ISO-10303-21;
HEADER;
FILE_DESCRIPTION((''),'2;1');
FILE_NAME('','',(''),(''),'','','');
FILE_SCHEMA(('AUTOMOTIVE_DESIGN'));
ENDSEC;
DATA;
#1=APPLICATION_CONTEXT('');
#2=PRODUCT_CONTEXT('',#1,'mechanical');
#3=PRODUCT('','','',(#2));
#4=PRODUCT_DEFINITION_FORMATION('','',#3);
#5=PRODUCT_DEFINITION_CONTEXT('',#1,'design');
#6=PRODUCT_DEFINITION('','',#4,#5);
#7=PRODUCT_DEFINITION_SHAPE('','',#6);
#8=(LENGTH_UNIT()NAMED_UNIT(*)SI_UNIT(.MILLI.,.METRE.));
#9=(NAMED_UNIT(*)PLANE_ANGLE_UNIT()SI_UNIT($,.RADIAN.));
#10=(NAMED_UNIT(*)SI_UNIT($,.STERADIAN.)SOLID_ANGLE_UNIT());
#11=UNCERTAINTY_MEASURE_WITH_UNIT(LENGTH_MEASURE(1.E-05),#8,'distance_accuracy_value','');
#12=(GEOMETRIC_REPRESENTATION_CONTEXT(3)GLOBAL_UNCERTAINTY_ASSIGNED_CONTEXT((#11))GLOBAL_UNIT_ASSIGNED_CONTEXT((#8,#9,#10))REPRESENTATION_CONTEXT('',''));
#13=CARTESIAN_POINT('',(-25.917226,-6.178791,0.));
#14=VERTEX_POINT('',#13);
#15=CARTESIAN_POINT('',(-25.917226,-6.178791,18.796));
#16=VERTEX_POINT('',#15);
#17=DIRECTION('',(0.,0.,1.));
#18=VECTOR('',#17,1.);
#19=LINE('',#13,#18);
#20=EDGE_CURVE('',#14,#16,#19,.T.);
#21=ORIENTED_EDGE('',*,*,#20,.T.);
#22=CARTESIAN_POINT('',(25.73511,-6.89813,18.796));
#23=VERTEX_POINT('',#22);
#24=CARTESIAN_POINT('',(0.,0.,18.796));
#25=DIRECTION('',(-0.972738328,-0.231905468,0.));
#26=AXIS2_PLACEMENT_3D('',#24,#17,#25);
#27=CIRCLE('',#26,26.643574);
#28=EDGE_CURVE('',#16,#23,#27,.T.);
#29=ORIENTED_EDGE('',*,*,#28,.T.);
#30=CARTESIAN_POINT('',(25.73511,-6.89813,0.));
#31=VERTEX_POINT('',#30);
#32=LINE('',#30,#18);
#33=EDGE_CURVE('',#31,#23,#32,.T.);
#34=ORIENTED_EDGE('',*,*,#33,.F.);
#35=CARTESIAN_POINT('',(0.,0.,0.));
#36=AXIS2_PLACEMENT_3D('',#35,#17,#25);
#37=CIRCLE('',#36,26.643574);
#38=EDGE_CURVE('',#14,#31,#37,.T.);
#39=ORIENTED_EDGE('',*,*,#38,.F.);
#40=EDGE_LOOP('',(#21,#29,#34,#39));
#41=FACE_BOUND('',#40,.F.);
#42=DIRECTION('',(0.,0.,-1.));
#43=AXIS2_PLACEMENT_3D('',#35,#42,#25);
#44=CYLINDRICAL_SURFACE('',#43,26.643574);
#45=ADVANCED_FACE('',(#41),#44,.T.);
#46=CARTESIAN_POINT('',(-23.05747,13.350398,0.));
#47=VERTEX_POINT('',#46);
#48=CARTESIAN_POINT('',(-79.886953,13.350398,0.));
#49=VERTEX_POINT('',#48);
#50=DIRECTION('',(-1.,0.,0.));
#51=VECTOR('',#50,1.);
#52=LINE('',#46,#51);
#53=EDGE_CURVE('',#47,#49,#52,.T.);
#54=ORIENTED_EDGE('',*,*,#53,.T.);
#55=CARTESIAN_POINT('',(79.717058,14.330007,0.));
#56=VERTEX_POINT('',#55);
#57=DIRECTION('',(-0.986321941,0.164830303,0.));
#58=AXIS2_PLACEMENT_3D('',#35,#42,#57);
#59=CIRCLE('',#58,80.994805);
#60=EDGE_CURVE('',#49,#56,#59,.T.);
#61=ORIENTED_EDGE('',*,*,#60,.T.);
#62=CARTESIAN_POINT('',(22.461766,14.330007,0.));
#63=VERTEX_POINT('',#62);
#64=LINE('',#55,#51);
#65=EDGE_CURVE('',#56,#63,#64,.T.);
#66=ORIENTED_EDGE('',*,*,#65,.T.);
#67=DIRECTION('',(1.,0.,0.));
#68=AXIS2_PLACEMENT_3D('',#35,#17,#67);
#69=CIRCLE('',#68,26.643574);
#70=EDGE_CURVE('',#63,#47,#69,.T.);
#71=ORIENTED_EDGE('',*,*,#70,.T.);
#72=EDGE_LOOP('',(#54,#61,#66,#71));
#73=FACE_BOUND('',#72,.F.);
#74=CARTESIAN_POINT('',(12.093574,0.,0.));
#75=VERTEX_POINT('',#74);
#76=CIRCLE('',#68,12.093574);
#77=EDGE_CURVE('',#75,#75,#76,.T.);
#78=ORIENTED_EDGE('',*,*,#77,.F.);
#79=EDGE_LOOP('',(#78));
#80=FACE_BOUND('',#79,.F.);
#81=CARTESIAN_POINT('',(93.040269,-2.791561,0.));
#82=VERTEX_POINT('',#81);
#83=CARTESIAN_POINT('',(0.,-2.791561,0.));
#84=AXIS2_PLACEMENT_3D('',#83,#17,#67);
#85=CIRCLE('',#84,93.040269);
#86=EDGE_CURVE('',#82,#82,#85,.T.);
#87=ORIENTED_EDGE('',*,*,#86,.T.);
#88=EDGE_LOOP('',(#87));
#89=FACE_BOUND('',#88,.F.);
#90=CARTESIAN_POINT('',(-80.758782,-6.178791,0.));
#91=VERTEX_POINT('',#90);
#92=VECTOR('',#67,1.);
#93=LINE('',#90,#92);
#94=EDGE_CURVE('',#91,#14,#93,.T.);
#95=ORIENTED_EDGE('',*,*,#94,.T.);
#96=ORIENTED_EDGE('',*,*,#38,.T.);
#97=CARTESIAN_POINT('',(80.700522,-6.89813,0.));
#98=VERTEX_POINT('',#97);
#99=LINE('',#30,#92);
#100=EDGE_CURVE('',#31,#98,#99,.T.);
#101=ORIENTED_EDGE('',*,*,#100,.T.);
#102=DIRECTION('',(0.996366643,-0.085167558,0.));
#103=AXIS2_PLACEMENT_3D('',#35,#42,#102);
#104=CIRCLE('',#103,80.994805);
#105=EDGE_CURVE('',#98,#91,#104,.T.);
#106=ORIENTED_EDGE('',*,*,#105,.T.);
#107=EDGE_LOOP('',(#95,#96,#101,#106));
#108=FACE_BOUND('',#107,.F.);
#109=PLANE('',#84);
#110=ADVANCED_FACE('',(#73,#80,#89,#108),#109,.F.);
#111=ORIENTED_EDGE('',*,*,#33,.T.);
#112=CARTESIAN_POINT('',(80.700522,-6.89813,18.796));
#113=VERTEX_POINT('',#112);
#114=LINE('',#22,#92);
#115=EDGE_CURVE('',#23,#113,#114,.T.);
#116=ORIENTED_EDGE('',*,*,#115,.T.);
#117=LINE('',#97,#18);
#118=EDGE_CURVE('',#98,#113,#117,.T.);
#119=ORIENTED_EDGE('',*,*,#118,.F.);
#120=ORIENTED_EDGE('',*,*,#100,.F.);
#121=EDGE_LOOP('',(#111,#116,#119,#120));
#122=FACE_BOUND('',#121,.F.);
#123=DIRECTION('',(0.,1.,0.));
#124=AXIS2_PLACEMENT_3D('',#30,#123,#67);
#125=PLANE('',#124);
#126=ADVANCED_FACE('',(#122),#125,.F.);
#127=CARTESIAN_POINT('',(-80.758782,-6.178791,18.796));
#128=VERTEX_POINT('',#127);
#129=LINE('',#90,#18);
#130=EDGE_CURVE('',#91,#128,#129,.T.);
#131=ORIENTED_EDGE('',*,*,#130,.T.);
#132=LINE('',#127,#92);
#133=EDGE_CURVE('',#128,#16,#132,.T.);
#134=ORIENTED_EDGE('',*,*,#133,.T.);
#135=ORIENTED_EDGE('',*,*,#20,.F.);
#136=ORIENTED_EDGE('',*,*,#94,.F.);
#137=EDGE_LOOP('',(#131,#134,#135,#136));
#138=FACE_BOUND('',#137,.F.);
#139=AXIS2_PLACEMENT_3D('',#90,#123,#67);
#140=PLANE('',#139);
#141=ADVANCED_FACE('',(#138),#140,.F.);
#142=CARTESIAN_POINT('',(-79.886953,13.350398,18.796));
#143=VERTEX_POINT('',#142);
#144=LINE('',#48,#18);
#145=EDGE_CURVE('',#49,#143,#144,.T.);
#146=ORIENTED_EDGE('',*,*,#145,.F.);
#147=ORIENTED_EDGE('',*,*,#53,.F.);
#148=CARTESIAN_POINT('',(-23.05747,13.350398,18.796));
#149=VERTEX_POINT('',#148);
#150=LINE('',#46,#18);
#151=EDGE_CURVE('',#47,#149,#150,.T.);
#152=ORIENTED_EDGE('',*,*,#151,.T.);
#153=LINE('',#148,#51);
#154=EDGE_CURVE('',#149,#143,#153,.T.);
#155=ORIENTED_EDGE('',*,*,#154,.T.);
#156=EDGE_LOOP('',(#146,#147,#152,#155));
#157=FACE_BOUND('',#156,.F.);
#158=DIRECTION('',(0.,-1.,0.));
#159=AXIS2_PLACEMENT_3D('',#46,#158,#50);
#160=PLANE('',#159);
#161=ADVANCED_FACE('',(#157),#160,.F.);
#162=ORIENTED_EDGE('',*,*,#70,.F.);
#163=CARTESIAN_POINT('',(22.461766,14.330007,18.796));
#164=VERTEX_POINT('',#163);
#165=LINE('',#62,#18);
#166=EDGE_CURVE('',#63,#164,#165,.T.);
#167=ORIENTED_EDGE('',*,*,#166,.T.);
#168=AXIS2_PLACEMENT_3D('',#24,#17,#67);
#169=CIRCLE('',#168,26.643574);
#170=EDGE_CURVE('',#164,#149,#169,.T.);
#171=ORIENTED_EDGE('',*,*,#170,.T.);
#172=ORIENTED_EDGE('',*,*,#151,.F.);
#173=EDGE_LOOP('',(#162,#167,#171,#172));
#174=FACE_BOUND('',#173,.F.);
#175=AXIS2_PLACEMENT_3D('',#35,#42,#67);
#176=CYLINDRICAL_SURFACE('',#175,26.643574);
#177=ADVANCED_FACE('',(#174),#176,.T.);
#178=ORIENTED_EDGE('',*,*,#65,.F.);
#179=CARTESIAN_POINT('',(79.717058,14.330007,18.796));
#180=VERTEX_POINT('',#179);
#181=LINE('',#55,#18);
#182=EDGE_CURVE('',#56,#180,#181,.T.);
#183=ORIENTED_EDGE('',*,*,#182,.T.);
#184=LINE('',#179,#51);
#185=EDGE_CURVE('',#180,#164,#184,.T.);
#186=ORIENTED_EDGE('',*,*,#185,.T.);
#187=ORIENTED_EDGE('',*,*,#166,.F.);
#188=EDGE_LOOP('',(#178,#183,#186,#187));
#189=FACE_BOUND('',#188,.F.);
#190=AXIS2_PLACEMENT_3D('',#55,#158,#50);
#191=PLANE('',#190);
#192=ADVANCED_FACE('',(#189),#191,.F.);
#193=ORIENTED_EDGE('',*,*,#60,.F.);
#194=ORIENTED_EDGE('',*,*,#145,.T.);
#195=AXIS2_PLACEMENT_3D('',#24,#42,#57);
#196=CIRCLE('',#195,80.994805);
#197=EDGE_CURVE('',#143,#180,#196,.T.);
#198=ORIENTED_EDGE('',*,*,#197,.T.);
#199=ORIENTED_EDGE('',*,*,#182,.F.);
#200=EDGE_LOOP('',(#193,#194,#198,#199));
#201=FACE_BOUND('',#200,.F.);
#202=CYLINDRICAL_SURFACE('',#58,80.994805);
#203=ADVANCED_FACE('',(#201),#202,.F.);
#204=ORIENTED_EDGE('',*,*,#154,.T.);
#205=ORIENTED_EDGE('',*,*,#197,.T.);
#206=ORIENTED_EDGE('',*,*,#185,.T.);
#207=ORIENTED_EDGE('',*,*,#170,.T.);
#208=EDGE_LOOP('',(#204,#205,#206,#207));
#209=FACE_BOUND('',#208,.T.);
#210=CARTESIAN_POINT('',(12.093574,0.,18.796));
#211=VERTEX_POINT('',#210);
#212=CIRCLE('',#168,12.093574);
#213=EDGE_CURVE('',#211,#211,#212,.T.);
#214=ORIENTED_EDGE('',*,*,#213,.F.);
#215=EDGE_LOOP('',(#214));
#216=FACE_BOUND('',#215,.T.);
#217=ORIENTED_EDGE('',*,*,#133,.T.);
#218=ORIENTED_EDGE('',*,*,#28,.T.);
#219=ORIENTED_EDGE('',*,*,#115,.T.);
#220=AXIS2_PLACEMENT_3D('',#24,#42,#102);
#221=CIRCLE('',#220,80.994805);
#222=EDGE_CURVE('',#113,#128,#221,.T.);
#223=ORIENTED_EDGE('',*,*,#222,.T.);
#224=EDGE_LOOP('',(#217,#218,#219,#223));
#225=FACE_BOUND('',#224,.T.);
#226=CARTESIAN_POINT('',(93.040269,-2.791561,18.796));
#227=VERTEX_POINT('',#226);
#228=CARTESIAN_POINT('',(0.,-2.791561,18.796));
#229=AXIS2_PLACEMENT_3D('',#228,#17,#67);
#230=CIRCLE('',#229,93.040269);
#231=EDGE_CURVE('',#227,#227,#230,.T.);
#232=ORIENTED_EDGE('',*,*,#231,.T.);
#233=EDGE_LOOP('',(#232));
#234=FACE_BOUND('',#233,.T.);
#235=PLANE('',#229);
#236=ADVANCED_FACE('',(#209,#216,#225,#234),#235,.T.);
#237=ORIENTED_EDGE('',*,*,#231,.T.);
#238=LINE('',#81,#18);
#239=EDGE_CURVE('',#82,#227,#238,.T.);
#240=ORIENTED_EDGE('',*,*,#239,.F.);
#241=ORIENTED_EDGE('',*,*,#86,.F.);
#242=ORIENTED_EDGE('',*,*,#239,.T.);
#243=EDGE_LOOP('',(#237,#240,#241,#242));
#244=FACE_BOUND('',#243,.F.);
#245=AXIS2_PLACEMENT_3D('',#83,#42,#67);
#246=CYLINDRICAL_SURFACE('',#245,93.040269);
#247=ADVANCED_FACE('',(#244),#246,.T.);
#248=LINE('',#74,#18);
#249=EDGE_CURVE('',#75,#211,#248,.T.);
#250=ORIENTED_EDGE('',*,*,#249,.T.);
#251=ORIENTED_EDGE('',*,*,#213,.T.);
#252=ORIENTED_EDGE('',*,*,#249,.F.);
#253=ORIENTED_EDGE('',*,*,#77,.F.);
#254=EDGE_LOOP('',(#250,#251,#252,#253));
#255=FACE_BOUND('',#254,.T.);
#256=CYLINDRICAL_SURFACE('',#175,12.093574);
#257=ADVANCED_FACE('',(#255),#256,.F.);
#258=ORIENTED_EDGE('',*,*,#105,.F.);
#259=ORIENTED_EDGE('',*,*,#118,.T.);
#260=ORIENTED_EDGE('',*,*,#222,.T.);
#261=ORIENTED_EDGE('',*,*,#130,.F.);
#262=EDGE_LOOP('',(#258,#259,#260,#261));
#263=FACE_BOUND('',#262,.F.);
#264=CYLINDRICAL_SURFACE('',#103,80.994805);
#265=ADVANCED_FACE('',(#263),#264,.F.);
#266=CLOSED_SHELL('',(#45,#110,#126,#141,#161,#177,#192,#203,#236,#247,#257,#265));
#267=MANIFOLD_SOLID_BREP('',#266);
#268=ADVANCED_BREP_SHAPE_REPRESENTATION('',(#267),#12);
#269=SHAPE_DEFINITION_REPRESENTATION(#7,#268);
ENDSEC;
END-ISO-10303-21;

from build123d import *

# Parameters (mm, degrees)
F0_R     = 93.0402692982
F0_R_2   = 20.2691960741
F0_R_3   = 12.0935741479
F1_DEPTH = 18.796


with BuildPart() as f1:
    # F0 (on Top) → F1 (new body)
    with BuildSketch(Plane.XY):
        with Locations((0, -2.7915611863)):
            Circle(F0_R)
        with BuildLine():
            ThreePointArc((-79.8869530557, 13.3503982046), (-0.497116202, 80.9932792041), (79.7170577495, 14.3300071359))
            ThreePointArc((79.7170577495, 14.3300071359), (80.674735607, 7.1934300229), (80.9948047763, 0))
            ThreePointArc((80.9948047763, 0), (80.9212005693, -3.4522020762), (80.7005217242, -6.8981297599))
            ThreePointArc((80.7005217242, -6.8981297599), (-0.3608473211, -80.9940009504), (-80.7587824796, -6.1787905904))
            ThreePointArc((-80.7587824796, -6.1787905904), (-80.9142162427, 3.6122030091), (-79.8869530557, 13.3503982046))
        make_face(mode=Mode.SUBTRACT)
        with BuildLine():
            ThreePointArc((25.7351095282, -6.8981297599), (26.4154818423, -3.4788468851), (26.6435743963, 0))
            ThreePointArc((26.6435743963, 0), (25.576764867, 7.4638566138), (22.461766451, 14.3300071359))
            ThreePointArc((22.461766451, 14.3300071359), (-0.5732574504, 26.6374066401), (-23.0574700345, 13.3503982046))
            ThreePointArc((-23.0574700345, 13.3503982046), (-26.362426228, 3.8603808085), (-25.9172259984, -6.1787905904))
            ThreePointArc((-25.9172259984, -6.1787905904), (-0.371017267, -26.6409910251), (25.7351095282, -6.8981297599))
        make_face()
        Circle(F0_R_2, mode=Mode.SUBTRACT)
        Circle(F0_R_2)
        Circle(F0_R_3, mode=Mode.SUBTRACT)
        with BuildLine():
            ThreePointArc((22.461766451, 14.3300071359), (25.576764867, 7.4638566138), (26.6435743963, 0))
            ThreePointArc((26.6435743963, 0), (26.4154818423, -3.4788468851), (25.7351095282, -6.8981297599))
            Line((25.7351095282, -6.8981297599), (80.7005217242, -6.8981297599))
            ThreePointArc((80.7005217242, -6.8981297599), (80.9212005693, -3.4522020762), (80.9948047763, 0))
            ThreePointArc((80.9948047763, 0), (80.674735607, 7.1934300229), (79.7170577495, 14.3300071359))
            Line((79.7170577495, 14.3300071359), (22.461766451, 14.3300071359))
        make_face()
        with BuildLine():
            ThreePointArc((-25.9172259984, -6.1787905904), (-26.362426228, 3.8603808085), (-23.0574700345, 13.3503982046))
            Line((-23.0574700345, 13.3503982046), (-79.8869530557, 13.3503982046))
            ThreePointArc((-79.8869530557, 13.3503982046), (-80.9142162427, 3.6122030091), (-80.7587824796, -6.1787905904))
            Line((-80.7587824796, -6.1787905904), (-25.9172259984, -6.1787905904))
        make_face()
    extrude(amount=F1_DEPTH)


solid = f1.part
